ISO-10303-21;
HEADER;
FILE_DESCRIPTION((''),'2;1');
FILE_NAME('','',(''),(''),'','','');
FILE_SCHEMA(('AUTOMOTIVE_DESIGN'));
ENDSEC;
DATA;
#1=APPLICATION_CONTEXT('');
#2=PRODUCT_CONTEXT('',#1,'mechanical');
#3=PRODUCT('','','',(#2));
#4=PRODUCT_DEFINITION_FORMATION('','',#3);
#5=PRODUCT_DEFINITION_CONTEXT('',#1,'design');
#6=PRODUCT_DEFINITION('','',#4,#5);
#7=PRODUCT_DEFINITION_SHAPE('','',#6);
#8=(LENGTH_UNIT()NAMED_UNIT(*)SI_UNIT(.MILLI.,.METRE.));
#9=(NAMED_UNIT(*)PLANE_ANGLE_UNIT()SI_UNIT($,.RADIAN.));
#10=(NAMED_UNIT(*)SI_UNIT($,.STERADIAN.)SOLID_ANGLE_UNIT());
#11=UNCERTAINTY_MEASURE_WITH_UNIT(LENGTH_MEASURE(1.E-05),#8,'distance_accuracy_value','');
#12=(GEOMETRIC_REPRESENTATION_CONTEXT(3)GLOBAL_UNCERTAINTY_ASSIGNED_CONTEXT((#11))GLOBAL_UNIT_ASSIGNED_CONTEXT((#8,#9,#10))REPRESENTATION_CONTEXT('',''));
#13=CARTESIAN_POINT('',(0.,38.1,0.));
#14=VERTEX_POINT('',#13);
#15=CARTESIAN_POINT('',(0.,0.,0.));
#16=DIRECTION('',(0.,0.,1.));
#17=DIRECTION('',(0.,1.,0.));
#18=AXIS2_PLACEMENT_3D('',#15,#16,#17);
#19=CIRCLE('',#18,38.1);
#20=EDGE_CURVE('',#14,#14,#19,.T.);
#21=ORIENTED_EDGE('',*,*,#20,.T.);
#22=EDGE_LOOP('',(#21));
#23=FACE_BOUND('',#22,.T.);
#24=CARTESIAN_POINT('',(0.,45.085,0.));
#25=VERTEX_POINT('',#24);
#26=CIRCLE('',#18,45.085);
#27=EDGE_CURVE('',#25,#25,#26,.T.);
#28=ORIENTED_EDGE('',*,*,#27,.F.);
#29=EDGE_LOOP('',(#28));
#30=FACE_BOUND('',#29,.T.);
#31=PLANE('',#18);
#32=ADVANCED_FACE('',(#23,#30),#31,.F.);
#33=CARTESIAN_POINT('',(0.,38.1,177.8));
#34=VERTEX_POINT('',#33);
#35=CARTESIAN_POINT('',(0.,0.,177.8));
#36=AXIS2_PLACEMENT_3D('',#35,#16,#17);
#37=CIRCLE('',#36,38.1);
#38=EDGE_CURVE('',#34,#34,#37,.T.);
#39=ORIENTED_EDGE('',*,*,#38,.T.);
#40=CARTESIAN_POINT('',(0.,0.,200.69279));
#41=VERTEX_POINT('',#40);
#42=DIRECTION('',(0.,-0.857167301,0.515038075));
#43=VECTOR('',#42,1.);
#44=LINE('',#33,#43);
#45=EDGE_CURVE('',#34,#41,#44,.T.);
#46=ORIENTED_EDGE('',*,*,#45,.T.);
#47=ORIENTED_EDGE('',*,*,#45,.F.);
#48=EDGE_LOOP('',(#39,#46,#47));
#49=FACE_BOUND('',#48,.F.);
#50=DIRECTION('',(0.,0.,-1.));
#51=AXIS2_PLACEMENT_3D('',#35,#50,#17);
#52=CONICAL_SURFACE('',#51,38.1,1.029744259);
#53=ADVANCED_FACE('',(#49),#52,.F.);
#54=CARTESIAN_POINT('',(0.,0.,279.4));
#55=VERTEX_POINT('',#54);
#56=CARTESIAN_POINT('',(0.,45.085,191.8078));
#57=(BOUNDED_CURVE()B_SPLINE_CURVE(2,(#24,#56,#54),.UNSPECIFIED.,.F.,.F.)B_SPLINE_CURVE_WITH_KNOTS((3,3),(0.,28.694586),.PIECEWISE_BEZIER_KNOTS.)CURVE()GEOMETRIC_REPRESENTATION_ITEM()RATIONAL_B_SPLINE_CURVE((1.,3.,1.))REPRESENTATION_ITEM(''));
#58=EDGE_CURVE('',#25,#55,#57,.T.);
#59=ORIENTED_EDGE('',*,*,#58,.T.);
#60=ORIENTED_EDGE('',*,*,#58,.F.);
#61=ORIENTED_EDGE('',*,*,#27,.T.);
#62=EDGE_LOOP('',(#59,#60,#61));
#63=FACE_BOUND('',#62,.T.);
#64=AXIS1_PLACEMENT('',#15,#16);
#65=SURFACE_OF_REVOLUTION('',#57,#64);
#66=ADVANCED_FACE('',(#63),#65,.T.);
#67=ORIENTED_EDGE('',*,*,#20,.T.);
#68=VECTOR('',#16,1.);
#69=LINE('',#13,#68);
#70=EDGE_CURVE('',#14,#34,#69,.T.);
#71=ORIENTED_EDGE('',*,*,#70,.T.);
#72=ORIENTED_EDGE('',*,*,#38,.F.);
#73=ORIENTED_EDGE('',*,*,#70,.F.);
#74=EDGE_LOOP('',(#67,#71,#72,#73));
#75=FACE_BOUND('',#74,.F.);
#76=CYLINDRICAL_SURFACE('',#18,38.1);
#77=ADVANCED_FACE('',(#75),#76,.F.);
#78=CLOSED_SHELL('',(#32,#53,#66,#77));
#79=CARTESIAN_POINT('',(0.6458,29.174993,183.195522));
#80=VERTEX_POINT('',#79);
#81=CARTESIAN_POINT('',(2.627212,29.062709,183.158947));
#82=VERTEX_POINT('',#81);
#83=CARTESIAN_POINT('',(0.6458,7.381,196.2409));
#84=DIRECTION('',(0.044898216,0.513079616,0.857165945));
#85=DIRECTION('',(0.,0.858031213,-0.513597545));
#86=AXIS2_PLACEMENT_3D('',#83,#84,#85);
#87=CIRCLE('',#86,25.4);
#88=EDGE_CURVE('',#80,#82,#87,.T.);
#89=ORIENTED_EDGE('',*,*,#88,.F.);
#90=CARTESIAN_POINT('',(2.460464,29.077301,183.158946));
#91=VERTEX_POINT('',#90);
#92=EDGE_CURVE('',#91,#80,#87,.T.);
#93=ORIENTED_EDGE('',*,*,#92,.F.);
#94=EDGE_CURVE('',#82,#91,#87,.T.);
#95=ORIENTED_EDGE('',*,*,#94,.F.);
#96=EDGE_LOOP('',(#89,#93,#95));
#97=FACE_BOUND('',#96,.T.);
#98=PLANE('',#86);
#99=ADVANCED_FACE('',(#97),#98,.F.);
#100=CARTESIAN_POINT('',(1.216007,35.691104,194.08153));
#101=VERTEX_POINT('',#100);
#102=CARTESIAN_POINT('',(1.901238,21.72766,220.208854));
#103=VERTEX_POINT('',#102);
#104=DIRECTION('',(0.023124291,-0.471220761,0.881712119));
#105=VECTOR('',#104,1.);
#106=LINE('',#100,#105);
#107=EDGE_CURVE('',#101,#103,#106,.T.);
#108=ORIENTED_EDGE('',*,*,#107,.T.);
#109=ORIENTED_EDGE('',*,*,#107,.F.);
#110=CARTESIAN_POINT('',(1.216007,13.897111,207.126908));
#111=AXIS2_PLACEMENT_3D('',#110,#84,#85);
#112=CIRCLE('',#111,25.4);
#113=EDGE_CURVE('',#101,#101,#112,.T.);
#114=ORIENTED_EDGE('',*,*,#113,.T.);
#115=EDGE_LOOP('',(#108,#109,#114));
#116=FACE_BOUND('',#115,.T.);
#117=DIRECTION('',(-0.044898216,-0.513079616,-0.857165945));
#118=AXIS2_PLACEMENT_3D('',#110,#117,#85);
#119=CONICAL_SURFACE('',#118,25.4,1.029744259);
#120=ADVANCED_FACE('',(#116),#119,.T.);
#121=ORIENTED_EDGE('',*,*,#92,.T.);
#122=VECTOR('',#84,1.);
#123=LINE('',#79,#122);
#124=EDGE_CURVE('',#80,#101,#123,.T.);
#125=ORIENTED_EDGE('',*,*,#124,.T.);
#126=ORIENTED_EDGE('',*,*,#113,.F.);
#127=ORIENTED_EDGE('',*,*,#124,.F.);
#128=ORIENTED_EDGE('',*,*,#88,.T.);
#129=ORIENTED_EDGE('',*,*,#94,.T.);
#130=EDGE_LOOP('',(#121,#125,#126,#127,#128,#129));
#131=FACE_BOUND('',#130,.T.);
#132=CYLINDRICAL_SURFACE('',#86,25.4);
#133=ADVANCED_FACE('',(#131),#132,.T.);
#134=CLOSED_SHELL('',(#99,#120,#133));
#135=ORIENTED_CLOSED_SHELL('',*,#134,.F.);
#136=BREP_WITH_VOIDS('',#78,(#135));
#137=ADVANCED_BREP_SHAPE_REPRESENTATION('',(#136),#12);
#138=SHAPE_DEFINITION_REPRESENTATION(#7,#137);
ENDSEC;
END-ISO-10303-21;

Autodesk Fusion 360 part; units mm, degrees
sketch "Sketch1" plane through (0, 0, 0) normal (1, 0, 0) x (0, 1, 0)
  line L0 (0, 0) -> (0, 279.4)
  line L1 (0, 0) -> (45.085, 0)
  spline S0 degree 2 poles (45.085, 0) (45.085, 191.8078) (0, 279.4) knots 0 0 0 28.694586 28.694586 28.694586 weights 1 3 1
  dimension "d1" = 279.4
  dimension "d2" = 45.085
revolve "Revolve1" add sketch "Sketch1" angle 360 about axis through (0, 0, 0) along (0, 0, 1)
hole "Hole1" at (0, 0, 0) direction (0, 0, 1) diameter 76.2 depth 177.8 tip angle 118
hole "Hole2" at (0.6458, 7.381, 196.2409) direction (0.0449, 0.5131, 0.8572) diameter 50.8 depth 12.7 tip angle 118
equation "d2 = ( 3.55 / 2 ) * 1 in"
